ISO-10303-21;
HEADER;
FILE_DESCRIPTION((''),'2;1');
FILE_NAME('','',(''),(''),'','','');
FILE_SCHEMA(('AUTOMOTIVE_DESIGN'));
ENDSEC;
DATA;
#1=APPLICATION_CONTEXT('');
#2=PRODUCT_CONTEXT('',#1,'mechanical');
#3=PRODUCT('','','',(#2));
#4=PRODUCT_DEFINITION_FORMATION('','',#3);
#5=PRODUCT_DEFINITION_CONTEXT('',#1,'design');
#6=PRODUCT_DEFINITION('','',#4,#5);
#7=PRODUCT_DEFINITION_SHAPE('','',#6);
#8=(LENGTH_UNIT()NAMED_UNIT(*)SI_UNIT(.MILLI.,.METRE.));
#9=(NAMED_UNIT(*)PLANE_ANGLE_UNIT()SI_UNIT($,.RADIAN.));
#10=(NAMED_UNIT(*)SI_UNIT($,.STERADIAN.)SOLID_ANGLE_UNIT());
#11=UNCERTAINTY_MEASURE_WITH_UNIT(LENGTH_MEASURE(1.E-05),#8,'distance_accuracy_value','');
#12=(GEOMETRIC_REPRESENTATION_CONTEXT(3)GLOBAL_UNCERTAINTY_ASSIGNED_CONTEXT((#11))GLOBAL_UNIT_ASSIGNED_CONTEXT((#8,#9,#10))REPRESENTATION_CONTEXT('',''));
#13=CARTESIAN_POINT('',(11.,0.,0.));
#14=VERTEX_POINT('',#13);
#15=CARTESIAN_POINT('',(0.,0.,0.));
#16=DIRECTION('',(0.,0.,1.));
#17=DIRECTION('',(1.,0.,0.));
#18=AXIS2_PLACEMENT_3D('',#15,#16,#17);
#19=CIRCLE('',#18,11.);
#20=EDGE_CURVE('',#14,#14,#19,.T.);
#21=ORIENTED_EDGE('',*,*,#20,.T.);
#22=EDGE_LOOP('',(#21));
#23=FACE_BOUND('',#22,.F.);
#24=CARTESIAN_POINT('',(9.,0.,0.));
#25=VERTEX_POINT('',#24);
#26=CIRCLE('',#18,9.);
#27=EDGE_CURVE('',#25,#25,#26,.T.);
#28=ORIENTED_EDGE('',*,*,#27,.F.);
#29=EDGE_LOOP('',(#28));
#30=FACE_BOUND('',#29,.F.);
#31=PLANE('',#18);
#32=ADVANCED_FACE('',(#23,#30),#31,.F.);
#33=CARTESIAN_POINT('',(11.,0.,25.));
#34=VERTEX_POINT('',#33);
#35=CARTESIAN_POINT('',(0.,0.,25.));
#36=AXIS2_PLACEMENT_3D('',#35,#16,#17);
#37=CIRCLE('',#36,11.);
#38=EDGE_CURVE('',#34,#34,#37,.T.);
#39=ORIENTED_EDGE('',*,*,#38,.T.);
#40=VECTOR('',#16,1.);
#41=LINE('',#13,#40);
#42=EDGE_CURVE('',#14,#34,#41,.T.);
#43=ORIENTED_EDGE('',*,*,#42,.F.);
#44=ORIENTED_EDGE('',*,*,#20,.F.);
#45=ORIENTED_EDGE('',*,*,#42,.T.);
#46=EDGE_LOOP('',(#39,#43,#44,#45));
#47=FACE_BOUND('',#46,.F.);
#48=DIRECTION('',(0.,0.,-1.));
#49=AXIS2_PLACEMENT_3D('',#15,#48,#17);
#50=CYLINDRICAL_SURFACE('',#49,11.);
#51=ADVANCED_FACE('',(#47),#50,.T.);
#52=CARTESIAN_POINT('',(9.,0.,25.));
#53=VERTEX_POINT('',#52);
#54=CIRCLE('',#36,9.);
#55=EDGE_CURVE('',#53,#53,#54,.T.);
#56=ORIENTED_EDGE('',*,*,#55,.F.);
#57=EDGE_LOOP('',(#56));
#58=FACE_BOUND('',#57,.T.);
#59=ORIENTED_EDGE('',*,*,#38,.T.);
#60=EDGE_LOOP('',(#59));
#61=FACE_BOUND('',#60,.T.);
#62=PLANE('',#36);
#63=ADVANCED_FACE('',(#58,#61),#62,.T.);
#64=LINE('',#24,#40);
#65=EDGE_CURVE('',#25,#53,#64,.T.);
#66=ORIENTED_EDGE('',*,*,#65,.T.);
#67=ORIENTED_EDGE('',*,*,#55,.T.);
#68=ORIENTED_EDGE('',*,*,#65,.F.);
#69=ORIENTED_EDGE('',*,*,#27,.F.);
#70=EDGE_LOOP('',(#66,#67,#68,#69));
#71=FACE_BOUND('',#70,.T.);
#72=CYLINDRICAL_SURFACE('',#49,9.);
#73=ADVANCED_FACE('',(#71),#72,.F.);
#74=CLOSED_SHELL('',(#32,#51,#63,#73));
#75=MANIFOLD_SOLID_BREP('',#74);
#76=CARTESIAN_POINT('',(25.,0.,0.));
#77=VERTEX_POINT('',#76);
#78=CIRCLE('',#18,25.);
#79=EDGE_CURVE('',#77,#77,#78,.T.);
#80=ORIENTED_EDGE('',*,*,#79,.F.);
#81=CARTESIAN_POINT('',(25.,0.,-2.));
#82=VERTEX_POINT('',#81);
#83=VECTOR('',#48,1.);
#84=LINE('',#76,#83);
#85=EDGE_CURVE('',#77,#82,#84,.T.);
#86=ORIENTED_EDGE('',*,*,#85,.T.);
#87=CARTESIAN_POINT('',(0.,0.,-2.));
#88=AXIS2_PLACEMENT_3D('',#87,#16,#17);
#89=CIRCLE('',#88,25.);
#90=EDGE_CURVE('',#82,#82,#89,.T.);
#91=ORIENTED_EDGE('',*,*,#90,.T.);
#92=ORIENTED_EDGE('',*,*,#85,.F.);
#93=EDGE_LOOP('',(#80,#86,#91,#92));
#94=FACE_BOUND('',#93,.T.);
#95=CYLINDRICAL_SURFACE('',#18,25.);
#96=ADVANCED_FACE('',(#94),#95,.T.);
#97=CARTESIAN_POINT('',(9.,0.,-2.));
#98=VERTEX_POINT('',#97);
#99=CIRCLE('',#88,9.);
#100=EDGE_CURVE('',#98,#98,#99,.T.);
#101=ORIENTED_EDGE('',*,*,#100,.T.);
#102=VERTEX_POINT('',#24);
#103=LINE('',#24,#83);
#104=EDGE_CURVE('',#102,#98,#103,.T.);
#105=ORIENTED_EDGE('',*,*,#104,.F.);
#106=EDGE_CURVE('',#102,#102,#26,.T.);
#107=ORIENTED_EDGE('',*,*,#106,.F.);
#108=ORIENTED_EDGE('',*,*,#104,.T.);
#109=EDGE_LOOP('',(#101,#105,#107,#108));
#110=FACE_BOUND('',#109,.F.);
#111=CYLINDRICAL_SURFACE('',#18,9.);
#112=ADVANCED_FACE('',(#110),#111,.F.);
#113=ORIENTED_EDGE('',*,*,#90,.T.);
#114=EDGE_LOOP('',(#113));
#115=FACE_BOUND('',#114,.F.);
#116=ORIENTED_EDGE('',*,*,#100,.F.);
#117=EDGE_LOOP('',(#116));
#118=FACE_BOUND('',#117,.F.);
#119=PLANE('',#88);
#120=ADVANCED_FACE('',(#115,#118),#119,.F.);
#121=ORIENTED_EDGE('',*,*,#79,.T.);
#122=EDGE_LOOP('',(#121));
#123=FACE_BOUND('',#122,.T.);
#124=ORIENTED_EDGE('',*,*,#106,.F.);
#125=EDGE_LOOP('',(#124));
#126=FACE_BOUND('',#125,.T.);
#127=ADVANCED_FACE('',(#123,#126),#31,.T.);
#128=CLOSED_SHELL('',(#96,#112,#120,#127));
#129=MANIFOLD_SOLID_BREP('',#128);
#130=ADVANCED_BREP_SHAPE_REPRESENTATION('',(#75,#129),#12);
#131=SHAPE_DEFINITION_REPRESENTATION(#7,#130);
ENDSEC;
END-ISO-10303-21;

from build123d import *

# Parameters (mm, degrees)
F0_R     = 25
F1_DEPTH = 2
F2_R     = 9
F3_DEPTH = 25
F4_R     = 11
F4_R_2   = 9
F5_DEPTH = 25


with BuildPart() as f1:
    # F0 (on Top) → F1 (new body)
    with BuildSketch(Plane.XY):
        Circle(F0_R)
    extrude(amount=-F1_DEPTH)

    # F2 (on Top) → F3 (cut)
    with BuildSketch(Plane.XY):
        Circle(F2_R)
    extrude(amount=-F3_DEPTH, mode=Mode.SUBTRACT)


with BuildPart() as f5:
    # F4 (on Top) → F5 (new body)
    with BuildSketch(Plane.XY):
        Circle(F4_R)
        Circle(F4_R_2, mode=Mode.SUBTRACT)
    extrude(amount=F5_DEPTH)


solid = Compound([f1.part, f5.part])
